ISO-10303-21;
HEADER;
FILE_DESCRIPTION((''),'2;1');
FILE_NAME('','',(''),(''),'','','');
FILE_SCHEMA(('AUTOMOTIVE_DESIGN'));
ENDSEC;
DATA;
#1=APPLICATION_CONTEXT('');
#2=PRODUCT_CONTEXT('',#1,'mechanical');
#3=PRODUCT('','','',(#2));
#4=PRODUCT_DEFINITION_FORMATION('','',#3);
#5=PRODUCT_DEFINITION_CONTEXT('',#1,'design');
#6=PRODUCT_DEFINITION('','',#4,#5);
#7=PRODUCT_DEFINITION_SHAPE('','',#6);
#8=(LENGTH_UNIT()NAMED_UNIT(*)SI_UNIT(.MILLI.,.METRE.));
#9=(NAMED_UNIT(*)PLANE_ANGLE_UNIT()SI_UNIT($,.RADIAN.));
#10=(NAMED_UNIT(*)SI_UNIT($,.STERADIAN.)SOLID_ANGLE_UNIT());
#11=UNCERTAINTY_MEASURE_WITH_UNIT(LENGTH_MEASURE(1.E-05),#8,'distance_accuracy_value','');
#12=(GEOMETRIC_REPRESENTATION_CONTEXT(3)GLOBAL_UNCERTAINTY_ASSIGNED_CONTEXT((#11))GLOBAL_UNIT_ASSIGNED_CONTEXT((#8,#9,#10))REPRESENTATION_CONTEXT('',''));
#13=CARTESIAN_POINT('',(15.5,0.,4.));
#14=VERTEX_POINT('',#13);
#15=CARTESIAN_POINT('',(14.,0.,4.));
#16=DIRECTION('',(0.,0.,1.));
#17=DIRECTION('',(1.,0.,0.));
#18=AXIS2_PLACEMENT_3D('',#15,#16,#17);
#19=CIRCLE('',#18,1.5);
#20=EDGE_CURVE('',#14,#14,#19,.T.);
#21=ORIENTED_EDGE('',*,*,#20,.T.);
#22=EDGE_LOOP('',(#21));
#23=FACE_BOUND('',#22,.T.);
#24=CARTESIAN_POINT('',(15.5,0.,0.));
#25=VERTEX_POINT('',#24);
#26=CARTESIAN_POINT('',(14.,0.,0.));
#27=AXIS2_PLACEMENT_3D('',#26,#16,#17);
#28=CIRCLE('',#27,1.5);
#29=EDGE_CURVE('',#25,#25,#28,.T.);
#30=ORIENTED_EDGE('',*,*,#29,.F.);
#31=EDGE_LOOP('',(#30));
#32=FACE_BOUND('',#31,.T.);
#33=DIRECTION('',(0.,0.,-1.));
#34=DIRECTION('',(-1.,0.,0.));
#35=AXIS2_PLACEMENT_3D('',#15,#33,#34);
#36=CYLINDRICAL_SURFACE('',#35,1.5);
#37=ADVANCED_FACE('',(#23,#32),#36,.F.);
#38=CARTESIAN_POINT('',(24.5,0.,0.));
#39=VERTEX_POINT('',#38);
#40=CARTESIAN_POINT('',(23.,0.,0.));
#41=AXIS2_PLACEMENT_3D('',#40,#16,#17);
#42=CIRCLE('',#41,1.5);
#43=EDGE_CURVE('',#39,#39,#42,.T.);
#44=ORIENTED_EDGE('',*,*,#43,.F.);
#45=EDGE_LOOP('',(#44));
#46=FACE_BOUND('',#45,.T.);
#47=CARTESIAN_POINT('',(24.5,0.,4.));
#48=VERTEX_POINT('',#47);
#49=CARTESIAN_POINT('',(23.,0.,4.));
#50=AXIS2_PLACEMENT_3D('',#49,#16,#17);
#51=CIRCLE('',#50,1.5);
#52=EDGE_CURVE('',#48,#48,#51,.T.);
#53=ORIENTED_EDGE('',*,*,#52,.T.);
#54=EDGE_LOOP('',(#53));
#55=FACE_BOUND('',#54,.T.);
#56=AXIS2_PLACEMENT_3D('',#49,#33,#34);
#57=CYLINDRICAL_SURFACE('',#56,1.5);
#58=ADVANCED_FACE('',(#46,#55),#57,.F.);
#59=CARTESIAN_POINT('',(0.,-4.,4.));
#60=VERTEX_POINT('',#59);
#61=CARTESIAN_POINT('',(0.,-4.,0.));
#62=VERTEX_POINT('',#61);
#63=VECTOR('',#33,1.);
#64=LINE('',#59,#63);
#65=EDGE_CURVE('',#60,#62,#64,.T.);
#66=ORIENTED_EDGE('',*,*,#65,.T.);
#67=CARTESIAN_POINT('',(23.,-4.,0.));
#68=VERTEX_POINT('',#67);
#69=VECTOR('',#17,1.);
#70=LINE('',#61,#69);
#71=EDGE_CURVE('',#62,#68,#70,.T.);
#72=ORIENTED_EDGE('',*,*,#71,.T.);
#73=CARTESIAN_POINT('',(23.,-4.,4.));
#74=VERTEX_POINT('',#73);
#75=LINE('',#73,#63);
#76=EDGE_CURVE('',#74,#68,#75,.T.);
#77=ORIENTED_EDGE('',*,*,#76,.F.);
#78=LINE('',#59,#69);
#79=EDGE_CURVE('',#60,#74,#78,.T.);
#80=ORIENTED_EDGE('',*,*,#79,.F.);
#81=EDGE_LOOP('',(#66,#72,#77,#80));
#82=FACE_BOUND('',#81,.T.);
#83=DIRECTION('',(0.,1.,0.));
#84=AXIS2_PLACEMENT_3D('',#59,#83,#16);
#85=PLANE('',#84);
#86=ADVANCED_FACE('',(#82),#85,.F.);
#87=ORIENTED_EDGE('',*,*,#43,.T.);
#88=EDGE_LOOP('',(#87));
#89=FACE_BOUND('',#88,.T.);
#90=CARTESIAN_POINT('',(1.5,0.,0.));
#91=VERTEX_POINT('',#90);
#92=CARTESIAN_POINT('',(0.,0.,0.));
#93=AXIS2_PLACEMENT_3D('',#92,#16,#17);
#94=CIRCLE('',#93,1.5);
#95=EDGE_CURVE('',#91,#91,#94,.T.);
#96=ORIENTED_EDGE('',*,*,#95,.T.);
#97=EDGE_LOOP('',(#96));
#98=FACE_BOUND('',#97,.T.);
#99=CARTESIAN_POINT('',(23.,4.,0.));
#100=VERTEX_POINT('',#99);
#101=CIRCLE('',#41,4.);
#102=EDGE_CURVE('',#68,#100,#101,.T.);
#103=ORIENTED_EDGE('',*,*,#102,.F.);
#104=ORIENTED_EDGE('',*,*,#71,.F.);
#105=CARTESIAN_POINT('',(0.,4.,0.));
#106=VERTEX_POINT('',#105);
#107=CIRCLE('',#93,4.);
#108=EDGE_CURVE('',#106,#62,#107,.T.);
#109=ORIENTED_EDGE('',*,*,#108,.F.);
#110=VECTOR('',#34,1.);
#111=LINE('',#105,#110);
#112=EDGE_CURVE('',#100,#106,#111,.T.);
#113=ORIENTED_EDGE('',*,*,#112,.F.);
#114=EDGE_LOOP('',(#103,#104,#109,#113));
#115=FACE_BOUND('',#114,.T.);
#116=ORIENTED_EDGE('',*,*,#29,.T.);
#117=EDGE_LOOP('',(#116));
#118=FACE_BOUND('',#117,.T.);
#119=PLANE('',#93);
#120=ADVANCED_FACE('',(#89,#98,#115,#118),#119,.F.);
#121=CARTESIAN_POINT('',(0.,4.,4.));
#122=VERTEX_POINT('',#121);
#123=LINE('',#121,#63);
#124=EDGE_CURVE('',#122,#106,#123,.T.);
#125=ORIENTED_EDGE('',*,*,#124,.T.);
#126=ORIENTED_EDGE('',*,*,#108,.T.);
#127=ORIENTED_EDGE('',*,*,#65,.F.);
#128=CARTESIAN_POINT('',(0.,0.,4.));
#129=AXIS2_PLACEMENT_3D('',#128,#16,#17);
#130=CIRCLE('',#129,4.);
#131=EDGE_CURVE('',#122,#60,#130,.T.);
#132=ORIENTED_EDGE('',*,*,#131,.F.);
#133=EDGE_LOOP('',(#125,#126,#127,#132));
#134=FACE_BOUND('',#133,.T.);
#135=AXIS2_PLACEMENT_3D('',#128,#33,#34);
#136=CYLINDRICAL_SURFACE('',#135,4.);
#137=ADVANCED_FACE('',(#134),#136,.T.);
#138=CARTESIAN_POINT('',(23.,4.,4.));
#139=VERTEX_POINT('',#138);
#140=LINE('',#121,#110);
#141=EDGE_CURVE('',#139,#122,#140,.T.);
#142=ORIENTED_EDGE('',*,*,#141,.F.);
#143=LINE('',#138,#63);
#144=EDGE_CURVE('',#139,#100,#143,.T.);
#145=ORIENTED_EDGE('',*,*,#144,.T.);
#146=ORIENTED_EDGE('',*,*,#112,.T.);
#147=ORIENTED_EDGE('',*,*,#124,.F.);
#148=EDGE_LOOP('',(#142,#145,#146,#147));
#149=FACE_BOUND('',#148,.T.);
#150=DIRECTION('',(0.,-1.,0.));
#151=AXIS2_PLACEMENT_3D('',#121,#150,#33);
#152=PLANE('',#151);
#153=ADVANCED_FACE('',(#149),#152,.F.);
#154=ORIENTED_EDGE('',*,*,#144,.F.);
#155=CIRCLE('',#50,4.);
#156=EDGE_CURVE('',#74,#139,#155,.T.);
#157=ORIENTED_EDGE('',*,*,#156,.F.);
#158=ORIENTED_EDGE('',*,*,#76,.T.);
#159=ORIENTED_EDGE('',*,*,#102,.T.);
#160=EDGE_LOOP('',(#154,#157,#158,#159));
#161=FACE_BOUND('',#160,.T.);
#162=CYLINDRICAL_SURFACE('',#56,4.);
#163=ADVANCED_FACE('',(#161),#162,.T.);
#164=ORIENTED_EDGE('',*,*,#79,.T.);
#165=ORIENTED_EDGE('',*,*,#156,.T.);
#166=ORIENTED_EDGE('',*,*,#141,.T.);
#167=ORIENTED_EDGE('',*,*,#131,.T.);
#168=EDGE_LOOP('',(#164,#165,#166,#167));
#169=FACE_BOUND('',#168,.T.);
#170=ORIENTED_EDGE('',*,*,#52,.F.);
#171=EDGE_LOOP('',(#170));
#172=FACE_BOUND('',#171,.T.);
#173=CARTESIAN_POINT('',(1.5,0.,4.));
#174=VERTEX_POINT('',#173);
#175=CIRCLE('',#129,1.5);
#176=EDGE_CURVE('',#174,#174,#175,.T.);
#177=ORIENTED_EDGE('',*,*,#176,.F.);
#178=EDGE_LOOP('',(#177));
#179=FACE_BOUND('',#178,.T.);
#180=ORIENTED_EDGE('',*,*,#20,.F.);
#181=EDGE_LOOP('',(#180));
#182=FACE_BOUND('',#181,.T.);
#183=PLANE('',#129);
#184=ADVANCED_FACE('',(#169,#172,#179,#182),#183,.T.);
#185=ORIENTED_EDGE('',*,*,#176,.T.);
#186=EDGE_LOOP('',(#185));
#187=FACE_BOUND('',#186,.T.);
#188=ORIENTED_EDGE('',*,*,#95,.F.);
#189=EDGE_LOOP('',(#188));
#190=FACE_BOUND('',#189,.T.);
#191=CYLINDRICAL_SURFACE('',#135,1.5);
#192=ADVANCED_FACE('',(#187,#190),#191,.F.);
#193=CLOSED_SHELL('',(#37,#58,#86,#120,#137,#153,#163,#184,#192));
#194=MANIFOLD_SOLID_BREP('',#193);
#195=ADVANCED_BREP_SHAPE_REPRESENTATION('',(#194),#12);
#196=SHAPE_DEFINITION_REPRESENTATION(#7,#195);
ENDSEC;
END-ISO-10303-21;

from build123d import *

# Parameters (mm, degrees)
SKETCH_1_R      = 1.5
EXTRUDE_1_DEPTH = 4


with BuildPart() as part:
    # 草图1 → 凸台-拉伸1 (new body)
    with BuildSketch(Plane.XY):
        with BuildLine():
            Line((0, 4), (23, 4))
            ThreePointArc((23, 4), (27, 0), (23, -4))
            Line((23, -4), (0, -4))
            ThreePointArc((0, -4), (-4, 0), (0, 4))
        make_face()
        Circle(SKETCH_1_R, mode=Mode.SUBTRACT)
        with Locations((14, 0)):
            Circle(SKETCH_1_R, mode=Mode.SUBTRACT)
        with Locations((23, 0)):
            Circle(SKETCH_1_R, mode=Mode.SUBTRACT)
    extrude(amount=EXTRUDE_1_DEPTH)


solid = part.part
